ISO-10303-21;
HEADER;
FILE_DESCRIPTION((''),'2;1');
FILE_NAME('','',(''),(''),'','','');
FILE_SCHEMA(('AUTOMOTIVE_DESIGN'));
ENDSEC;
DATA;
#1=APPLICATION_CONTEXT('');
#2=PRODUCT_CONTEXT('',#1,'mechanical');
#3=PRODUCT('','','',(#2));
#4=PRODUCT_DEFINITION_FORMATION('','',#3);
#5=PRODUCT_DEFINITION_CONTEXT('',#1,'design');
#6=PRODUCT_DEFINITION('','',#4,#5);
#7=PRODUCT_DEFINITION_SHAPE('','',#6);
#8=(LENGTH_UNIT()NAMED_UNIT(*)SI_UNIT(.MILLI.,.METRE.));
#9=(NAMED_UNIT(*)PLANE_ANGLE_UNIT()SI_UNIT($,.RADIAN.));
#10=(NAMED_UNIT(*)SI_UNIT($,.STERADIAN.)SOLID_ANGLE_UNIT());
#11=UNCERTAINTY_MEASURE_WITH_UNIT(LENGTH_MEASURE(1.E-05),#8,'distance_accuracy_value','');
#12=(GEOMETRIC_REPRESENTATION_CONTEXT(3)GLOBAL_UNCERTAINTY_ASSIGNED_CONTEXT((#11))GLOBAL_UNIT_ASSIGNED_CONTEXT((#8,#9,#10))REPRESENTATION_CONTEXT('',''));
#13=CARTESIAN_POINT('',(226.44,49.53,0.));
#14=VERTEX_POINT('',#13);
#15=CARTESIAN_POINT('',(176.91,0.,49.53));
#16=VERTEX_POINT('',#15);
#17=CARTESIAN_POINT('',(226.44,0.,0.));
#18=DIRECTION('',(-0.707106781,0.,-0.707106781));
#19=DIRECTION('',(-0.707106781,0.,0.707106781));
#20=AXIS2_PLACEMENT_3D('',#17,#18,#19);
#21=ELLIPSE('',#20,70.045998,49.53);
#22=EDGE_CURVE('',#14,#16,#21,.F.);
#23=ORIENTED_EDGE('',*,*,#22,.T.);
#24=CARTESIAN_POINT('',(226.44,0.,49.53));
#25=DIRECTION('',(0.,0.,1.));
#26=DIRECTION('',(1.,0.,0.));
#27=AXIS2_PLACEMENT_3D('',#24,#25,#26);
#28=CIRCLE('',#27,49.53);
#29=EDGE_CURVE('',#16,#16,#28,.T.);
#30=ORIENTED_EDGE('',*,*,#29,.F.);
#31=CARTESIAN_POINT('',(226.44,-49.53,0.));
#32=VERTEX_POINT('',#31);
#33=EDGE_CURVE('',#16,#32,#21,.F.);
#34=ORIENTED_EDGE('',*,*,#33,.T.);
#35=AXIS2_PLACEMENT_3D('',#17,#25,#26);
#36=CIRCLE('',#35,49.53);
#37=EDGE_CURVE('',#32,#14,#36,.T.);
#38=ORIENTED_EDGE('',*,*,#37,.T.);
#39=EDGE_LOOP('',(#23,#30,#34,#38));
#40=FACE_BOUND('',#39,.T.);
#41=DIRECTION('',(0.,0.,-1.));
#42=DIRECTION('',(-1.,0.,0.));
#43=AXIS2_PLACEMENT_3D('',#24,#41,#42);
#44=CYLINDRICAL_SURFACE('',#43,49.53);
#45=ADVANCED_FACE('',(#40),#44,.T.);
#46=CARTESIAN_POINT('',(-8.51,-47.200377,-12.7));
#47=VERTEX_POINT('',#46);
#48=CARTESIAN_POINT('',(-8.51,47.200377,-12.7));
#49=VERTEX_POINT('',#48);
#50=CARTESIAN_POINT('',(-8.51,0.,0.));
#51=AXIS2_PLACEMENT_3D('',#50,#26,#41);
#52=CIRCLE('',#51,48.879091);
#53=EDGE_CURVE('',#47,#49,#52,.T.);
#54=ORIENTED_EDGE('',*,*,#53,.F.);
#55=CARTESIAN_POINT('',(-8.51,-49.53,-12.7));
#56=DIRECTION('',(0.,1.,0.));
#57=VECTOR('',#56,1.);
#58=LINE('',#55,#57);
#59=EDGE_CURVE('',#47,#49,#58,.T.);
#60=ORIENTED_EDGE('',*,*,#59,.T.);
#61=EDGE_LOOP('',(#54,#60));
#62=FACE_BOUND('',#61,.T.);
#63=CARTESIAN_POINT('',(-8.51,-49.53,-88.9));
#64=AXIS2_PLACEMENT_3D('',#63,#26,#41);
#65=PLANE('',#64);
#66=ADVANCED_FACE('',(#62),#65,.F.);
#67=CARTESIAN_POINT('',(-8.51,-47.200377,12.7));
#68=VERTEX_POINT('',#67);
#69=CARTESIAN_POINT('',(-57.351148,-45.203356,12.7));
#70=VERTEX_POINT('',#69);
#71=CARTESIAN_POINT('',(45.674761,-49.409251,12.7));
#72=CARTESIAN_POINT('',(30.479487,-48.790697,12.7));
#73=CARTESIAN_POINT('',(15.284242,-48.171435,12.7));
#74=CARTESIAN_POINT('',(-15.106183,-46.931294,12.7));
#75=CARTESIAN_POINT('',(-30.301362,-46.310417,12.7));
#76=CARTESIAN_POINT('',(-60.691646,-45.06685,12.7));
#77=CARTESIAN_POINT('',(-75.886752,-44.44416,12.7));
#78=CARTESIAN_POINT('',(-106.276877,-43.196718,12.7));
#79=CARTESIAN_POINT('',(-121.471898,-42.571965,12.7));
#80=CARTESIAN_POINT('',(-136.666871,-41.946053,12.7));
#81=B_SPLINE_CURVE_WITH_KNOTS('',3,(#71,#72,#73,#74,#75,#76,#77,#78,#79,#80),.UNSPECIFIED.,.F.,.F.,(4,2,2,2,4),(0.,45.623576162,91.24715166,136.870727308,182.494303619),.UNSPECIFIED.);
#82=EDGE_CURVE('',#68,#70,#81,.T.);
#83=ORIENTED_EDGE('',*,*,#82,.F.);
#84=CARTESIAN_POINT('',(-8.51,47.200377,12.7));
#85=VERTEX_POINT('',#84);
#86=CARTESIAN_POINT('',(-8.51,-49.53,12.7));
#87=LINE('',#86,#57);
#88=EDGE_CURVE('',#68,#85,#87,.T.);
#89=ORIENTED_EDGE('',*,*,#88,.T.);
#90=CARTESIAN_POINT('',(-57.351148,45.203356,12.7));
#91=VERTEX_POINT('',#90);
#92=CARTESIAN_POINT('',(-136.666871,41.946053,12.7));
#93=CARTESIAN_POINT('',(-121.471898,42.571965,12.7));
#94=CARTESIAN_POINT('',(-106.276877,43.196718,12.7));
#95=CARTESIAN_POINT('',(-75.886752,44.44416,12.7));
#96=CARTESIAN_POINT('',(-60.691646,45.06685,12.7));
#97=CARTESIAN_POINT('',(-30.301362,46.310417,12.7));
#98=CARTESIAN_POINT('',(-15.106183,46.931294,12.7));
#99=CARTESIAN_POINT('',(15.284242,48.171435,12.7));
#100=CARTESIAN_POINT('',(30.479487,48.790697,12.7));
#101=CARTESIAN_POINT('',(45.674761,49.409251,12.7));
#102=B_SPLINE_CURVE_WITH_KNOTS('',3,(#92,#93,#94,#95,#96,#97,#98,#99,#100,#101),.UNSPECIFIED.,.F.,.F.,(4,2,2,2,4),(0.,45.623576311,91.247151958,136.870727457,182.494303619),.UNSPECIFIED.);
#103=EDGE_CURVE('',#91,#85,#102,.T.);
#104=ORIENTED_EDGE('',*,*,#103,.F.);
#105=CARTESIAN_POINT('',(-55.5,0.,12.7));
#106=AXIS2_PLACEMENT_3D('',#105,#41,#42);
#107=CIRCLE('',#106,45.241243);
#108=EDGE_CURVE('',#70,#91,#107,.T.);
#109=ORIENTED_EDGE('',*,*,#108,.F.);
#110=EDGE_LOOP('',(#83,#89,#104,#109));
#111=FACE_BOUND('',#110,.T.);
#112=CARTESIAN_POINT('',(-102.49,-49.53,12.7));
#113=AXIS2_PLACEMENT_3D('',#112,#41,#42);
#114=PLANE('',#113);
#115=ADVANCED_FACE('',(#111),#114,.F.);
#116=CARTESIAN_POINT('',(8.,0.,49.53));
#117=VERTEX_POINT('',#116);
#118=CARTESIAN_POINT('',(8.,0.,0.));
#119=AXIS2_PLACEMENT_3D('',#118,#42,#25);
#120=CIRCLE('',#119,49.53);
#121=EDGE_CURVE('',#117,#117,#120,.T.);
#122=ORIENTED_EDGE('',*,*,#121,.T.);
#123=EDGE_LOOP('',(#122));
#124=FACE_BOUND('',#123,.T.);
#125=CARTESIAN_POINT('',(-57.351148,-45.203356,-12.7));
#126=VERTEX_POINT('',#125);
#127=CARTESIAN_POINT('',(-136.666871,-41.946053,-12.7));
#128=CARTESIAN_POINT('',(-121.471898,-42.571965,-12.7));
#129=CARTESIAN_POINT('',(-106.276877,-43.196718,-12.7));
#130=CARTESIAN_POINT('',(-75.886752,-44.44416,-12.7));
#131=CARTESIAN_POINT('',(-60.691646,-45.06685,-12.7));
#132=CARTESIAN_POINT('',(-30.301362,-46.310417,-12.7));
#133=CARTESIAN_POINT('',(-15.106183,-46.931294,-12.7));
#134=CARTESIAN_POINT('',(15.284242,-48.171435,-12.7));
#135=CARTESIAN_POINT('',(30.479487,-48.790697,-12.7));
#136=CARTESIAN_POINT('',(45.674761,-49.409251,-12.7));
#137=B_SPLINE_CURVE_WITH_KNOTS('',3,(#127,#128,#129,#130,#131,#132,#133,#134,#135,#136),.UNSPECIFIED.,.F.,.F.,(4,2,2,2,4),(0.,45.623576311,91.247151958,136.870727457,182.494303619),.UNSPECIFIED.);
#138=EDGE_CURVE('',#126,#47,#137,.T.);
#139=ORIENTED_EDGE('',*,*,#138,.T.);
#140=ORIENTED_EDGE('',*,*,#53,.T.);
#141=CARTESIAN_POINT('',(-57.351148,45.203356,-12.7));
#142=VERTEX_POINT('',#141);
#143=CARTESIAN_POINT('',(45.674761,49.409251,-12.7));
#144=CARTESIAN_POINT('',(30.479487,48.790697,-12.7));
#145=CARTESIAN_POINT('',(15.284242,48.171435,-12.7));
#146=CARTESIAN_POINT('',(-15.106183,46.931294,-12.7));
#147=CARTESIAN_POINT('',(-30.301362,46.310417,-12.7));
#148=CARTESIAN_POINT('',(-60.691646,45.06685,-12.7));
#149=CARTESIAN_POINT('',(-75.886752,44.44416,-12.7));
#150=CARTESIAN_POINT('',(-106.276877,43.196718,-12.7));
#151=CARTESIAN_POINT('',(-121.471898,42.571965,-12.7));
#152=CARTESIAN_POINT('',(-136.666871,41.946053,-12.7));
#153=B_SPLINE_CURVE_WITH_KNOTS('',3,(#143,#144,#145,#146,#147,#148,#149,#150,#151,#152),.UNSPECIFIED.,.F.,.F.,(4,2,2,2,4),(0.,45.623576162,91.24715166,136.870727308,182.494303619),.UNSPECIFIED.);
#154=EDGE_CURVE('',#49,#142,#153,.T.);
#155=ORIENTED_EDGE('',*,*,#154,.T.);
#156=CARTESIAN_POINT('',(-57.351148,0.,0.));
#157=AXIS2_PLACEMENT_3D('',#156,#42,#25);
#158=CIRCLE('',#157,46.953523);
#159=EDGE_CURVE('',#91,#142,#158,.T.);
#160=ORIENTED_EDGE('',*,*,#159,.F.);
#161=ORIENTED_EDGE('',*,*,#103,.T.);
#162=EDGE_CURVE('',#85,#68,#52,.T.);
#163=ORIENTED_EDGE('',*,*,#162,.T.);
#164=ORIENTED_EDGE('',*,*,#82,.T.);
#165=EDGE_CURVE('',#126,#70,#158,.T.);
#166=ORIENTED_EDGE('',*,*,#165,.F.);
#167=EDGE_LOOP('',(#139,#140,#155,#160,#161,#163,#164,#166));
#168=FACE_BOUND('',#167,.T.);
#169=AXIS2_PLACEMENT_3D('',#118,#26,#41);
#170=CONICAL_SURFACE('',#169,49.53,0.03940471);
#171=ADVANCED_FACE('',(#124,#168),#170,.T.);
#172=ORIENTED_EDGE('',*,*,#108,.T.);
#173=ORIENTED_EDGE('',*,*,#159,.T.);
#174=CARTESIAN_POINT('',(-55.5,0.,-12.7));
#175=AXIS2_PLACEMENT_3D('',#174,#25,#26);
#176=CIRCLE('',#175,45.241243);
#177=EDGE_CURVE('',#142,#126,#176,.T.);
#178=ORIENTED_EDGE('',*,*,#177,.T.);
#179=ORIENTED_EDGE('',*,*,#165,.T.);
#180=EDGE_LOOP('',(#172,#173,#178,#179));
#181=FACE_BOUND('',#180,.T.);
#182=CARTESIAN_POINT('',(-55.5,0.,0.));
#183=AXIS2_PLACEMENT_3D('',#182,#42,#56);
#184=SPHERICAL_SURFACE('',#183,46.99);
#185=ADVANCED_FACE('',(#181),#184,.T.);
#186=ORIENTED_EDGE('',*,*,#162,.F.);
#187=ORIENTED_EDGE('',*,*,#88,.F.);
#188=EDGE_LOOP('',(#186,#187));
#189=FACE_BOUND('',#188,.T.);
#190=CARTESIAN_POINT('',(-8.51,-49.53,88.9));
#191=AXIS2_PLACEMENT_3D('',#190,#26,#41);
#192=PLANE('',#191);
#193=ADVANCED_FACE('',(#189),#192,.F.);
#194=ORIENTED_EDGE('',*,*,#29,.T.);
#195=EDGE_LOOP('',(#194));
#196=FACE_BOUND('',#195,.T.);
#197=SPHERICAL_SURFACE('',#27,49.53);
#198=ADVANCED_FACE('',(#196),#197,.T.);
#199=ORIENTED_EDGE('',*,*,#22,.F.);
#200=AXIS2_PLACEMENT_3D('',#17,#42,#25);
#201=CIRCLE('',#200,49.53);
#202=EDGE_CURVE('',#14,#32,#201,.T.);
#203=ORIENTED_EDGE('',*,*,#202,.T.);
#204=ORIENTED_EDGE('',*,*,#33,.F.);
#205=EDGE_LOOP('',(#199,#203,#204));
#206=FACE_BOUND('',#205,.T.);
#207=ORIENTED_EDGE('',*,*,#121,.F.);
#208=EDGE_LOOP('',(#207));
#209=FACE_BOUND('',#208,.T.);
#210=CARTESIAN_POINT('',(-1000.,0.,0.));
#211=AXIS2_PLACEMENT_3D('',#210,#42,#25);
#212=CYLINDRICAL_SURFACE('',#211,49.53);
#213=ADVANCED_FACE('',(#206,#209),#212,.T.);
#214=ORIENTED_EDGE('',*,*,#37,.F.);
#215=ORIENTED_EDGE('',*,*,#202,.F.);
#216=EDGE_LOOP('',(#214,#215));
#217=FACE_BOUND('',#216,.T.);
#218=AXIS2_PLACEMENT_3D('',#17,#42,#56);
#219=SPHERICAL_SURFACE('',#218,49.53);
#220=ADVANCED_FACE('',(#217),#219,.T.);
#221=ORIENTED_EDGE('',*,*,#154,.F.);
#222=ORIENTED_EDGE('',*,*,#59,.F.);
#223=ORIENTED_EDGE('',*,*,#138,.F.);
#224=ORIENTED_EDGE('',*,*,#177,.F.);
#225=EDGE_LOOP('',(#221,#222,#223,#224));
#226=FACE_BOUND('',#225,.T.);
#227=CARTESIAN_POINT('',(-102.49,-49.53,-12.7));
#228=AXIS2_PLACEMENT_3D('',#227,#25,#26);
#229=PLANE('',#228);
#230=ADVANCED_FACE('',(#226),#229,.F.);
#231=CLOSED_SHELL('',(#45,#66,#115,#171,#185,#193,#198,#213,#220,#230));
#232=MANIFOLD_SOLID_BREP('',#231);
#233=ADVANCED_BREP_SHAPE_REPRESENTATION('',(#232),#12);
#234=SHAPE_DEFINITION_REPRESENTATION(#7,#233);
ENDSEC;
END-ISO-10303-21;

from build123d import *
from build123d.topology import SkipClean

# Parameters (mm, degrees)
CUT_EXTRUDE1_DEPTH      = 285.72070999490006
CUT_EXTRUDE1_DEPTH_BACK = 285.72070999490006
SKETCH13_R              = 49.530000000000044
BOSS_EXTRUDE4_DEPTH     = 49.53


with BuildPart() as part:
    # Sketch1 → Revolve1 (revolve)
    with BuildSketch(Plane.XY, mode=Mode.PRIVATE) as revolve1_sk:
        with BuildLine():
            Line((-57.35114817524302, 46.95352330159362), (8.000000000000007, 49.53))
            Line((8.000000000000007, 49.53), (226.43999999999997, 49.529999999999994))
            ThreePointArc((226.43999999999997, 49.529999999999994), (261.4629988721697, 35.022998872169694), (275.96999999999997, 0))
            Line((275.96999999999997, 0), (-102.49, 0))
            ThreePointArc((-102.49, 0), (-89.37510555522056, 32.56589202866499), (-57.35114817524302, 46.95352330159362))
        make_face()
    revolve(revolve1_sk.sketch.rotate(Axis((-1000, 0, 0), (1, 0, 0)), 90), axis=Axis((-1000, 0, 0), (1, 0, 0)))

    # Sketch2 → Cut-Extrude1 (cut, two sides: drawn at the far end of the back side and taken through both)
    with BuildSketch(Plane(origin=(0, 0, 0), x_dir=(1, 0, 0), z_dir=(0, 1, 0)).offset(-CUT_EXTRUDE1_DEPTH_BACK)):
        Polygon((-102.49, 88.9), (-8.50999999999999, 88.9), (-8.50999999999998, 12.700000000000003), (-102.48999999999998, 12.7), align=None)
        Polygon((-102.48999999999998, -12.7), (-8.50999999999998, -12.700000000000003), (-8.50999999999999, -88.9), (-102.49, -88.9), align=None)
    extrude(amount=CUT_EXTRUDE1_DEPTH + CUT_EXTRUDE1_DEPTH_BACK, mode=Mode.SUBTRACT)

    # Sketch13 → Boss-Extrude4 (add)
    with SkipClean():  # the faces are left unmerged after this step: merging them gives an invalid solid
        with BuildSketch(Plane.XY):
            with Locations((226.43999999999997, 0)):
                Circle(SKETCH13_R)
        extrude(amount=BOSS_EXTRUDE4_DEPTH)

    # Sketch14 → Revolve4 (revolve)
    with SkipClean():  # the faces are left unmerged after this step: merging them gives an invalid solid
        with BuildSketch(Plane.XY.offset(49.53)):
            with BuildLine():
                Line((176.90999999999997, 0), (275.96999999999997, 1.82e-14))
                ThreePointArc((275.96999999999997, 1.82e-14), (226.43999999999997, 49.53), (176.90999999999997, 0))
            make_face()
        revolve(axis=Axis((176.90999999999997, 0, 49.53), (1, 1.8e-16, 0)))


solid = part.part
